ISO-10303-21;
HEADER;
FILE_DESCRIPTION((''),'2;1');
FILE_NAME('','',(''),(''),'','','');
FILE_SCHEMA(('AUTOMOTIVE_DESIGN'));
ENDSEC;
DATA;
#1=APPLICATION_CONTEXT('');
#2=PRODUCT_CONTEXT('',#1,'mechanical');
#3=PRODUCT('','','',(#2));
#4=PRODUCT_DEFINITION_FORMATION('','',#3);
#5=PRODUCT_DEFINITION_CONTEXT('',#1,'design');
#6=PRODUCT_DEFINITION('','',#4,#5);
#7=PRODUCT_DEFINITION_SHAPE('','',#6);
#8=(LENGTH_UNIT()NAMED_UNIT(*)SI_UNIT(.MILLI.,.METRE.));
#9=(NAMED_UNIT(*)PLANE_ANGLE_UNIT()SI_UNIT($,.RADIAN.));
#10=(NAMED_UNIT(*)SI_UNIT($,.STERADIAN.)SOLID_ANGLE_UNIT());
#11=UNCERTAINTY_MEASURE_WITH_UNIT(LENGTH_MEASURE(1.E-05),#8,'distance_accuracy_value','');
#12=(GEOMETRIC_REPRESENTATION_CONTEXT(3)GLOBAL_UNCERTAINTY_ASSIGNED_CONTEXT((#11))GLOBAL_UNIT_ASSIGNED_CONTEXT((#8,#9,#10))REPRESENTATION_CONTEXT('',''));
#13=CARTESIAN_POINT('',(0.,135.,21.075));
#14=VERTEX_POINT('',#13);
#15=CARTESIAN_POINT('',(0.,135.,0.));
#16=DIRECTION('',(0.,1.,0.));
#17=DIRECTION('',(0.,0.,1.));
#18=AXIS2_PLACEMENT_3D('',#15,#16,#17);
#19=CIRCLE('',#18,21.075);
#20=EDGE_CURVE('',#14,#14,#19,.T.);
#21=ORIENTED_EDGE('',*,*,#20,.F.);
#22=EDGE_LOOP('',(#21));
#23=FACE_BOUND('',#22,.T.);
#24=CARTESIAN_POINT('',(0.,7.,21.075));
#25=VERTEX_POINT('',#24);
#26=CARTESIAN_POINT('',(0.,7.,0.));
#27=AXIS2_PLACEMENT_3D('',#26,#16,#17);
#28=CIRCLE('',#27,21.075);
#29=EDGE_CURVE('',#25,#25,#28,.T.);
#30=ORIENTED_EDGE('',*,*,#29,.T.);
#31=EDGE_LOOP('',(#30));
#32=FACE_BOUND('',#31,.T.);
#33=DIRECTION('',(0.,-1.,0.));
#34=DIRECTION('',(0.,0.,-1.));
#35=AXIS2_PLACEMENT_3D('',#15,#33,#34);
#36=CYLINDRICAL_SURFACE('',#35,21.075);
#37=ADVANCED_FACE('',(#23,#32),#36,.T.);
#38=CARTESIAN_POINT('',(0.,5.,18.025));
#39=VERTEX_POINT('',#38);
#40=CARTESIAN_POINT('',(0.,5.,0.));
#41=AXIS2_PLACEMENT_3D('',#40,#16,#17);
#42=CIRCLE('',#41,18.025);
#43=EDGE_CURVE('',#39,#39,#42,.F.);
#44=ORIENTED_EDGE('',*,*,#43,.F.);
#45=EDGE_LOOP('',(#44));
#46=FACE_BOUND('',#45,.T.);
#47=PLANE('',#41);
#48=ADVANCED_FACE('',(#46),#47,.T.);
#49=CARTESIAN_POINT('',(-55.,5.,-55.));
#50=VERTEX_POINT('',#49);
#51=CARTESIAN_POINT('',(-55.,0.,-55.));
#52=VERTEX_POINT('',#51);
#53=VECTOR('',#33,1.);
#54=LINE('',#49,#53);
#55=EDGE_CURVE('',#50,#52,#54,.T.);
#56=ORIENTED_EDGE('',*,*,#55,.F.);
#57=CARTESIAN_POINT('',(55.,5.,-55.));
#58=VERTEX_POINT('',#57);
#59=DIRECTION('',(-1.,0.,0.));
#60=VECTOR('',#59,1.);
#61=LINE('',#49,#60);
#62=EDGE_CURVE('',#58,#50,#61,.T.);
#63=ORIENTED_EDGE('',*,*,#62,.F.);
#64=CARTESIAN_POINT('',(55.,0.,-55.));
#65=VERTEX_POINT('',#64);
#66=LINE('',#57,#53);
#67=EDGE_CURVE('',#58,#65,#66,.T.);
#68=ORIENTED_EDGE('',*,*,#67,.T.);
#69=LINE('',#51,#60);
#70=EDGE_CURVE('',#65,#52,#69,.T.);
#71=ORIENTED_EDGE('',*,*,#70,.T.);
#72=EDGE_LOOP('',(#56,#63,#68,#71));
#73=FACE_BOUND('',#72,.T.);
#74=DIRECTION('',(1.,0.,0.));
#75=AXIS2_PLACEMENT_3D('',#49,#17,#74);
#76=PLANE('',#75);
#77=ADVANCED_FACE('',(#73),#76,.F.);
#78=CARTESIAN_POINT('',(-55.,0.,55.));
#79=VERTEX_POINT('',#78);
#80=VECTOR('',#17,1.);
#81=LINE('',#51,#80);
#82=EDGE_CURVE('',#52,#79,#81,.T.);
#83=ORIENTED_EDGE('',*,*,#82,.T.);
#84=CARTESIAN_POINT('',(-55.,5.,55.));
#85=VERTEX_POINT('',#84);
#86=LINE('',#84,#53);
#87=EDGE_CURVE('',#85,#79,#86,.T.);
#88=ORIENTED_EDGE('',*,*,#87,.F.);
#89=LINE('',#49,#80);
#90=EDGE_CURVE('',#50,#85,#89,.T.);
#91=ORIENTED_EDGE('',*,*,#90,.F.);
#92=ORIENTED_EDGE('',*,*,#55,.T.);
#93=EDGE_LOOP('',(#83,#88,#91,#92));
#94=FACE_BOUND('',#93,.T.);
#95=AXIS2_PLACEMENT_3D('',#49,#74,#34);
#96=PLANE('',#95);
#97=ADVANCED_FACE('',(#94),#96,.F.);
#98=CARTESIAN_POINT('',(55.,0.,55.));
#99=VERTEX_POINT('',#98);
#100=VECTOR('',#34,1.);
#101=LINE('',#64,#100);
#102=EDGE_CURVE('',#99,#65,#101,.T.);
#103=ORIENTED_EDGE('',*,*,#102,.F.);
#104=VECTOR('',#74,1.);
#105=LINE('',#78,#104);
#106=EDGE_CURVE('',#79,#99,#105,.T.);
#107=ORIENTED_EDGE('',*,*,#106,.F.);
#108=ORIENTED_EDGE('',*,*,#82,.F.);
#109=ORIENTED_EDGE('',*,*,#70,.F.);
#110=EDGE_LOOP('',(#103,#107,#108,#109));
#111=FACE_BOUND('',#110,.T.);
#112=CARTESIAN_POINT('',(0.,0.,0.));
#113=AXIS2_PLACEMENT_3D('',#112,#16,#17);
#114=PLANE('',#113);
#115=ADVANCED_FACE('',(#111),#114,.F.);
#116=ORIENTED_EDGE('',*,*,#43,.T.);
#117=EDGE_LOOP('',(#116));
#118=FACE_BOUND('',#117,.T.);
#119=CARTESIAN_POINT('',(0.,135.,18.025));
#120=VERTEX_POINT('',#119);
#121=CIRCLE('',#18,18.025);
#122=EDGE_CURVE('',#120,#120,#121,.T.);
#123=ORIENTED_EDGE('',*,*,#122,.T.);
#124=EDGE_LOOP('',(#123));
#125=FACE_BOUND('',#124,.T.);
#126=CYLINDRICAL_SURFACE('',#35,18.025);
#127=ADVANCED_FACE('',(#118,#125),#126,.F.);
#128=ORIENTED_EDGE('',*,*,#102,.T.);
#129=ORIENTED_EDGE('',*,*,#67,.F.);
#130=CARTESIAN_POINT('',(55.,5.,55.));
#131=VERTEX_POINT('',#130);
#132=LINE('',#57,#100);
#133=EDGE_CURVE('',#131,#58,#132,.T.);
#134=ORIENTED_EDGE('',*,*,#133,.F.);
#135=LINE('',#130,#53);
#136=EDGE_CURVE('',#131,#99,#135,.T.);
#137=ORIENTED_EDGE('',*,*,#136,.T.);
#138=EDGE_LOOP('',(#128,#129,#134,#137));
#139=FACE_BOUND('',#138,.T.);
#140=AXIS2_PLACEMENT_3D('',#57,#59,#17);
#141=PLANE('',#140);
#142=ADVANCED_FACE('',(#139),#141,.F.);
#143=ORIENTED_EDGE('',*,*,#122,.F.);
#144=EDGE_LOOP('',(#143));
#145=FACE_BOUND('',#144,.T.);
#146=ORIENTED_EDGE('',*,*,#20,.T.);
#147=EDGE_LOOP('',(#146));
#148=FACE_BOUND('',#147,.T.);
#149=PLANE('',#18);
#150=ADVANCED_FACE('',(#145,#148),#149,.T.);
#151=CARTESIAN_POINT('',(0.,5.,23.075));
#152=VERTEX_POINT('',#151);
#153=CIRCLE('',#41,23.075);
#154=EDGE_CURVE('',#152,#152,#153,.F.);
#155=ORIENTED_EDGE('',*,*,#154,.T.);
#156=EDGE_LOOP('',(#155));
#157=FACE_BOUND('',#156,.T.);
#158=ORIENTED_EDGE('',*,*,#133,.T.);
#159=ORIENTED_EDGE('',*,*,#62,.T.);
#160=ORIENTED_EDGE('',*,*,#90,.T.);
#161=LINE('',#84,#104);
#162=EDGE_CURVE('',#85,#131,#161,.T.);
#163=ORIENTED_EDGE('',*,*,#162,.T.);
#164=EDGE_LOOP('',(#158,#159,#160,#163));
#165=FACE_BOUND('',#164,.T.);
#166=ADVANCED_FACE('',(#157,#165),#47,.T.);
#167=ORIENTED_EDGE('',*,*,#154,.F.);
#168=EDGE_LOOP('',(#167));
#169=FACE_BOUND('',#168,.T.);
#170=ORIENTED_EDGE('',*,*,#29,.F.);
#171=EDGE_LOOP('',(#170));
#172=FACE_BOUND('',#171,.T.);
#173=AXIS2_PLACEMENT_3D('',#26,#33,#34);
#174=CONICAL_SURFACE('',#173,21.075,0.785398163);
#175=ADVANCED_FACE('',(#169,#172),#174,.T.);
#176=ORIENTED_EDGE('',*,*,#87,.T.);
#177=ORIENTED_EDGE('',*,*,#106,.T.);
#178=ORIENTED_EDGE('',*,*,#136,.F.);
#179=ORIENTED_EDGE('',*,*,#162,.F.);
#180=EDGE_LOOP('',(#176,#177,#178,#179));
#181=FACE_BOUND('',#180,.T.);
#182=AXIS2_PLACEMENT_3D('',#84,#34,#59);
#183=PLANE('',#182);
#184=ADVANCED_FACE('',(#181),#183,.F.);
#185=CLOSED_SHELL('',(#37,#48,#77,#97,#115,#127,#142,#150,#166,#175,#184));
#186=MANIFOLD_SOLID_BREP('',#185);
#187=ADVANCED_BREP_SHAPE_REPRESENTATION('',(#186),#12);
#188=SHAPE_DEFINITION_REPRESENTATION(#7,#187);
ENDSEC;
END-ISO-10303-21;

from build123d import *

# Parameters (mm, degrees)
SKETCH1_W           = 110
SKETCH1_H           = 110
BOSS_EXTRUDE1_DEPTH = 5
SKETCH2_R           = 21.075
SKETCH2_R_2         = 18.025
BOSS_EXTRUDE2_DEPTH = 130
CHAMFER1_SIZE       = 2


with BuildPart() as part:
    # Sketch1 → Boss-Extrude1 (new body)
    with BuildSketch(Plane(origin=(0, 0, 0), x_dir=(1, 0, 0), z_dir=(0, 1, 0))):
        Rectangle(SKETCH1_W, SKETCH1_H)
    extrude(amount=BOSS_EXTRUDE1_DEPTH)

    # Sketch2 → Boss-Extrude2 (add)
    with BuildSketch(Plane(origin=(0, 5, 0), x_dir=(1, 0, 0), z_dir=(0, 1, 0))):
        with Locations(Location((0, 0, 0), (0, 0, 270))):
            Circle(SKETCH2_R)
        with Locations(Location((0, 0, 0), (0, 0, 270))):
            Circle(SKETCH2_R_2, mode=Mode.SUBTRACT)
    extrude(amount=BOSS_EXTRUDE2_DEPTH)

    # Chamfer1
    chamfer1_edges = [part.edges().sort_by_distance(p)[0] for p in [
        (0, 5, -21.075),
    ]]
    chamfer(chamfer1_edges, length=CHAMFER1_SIZE)


solid = part.part
